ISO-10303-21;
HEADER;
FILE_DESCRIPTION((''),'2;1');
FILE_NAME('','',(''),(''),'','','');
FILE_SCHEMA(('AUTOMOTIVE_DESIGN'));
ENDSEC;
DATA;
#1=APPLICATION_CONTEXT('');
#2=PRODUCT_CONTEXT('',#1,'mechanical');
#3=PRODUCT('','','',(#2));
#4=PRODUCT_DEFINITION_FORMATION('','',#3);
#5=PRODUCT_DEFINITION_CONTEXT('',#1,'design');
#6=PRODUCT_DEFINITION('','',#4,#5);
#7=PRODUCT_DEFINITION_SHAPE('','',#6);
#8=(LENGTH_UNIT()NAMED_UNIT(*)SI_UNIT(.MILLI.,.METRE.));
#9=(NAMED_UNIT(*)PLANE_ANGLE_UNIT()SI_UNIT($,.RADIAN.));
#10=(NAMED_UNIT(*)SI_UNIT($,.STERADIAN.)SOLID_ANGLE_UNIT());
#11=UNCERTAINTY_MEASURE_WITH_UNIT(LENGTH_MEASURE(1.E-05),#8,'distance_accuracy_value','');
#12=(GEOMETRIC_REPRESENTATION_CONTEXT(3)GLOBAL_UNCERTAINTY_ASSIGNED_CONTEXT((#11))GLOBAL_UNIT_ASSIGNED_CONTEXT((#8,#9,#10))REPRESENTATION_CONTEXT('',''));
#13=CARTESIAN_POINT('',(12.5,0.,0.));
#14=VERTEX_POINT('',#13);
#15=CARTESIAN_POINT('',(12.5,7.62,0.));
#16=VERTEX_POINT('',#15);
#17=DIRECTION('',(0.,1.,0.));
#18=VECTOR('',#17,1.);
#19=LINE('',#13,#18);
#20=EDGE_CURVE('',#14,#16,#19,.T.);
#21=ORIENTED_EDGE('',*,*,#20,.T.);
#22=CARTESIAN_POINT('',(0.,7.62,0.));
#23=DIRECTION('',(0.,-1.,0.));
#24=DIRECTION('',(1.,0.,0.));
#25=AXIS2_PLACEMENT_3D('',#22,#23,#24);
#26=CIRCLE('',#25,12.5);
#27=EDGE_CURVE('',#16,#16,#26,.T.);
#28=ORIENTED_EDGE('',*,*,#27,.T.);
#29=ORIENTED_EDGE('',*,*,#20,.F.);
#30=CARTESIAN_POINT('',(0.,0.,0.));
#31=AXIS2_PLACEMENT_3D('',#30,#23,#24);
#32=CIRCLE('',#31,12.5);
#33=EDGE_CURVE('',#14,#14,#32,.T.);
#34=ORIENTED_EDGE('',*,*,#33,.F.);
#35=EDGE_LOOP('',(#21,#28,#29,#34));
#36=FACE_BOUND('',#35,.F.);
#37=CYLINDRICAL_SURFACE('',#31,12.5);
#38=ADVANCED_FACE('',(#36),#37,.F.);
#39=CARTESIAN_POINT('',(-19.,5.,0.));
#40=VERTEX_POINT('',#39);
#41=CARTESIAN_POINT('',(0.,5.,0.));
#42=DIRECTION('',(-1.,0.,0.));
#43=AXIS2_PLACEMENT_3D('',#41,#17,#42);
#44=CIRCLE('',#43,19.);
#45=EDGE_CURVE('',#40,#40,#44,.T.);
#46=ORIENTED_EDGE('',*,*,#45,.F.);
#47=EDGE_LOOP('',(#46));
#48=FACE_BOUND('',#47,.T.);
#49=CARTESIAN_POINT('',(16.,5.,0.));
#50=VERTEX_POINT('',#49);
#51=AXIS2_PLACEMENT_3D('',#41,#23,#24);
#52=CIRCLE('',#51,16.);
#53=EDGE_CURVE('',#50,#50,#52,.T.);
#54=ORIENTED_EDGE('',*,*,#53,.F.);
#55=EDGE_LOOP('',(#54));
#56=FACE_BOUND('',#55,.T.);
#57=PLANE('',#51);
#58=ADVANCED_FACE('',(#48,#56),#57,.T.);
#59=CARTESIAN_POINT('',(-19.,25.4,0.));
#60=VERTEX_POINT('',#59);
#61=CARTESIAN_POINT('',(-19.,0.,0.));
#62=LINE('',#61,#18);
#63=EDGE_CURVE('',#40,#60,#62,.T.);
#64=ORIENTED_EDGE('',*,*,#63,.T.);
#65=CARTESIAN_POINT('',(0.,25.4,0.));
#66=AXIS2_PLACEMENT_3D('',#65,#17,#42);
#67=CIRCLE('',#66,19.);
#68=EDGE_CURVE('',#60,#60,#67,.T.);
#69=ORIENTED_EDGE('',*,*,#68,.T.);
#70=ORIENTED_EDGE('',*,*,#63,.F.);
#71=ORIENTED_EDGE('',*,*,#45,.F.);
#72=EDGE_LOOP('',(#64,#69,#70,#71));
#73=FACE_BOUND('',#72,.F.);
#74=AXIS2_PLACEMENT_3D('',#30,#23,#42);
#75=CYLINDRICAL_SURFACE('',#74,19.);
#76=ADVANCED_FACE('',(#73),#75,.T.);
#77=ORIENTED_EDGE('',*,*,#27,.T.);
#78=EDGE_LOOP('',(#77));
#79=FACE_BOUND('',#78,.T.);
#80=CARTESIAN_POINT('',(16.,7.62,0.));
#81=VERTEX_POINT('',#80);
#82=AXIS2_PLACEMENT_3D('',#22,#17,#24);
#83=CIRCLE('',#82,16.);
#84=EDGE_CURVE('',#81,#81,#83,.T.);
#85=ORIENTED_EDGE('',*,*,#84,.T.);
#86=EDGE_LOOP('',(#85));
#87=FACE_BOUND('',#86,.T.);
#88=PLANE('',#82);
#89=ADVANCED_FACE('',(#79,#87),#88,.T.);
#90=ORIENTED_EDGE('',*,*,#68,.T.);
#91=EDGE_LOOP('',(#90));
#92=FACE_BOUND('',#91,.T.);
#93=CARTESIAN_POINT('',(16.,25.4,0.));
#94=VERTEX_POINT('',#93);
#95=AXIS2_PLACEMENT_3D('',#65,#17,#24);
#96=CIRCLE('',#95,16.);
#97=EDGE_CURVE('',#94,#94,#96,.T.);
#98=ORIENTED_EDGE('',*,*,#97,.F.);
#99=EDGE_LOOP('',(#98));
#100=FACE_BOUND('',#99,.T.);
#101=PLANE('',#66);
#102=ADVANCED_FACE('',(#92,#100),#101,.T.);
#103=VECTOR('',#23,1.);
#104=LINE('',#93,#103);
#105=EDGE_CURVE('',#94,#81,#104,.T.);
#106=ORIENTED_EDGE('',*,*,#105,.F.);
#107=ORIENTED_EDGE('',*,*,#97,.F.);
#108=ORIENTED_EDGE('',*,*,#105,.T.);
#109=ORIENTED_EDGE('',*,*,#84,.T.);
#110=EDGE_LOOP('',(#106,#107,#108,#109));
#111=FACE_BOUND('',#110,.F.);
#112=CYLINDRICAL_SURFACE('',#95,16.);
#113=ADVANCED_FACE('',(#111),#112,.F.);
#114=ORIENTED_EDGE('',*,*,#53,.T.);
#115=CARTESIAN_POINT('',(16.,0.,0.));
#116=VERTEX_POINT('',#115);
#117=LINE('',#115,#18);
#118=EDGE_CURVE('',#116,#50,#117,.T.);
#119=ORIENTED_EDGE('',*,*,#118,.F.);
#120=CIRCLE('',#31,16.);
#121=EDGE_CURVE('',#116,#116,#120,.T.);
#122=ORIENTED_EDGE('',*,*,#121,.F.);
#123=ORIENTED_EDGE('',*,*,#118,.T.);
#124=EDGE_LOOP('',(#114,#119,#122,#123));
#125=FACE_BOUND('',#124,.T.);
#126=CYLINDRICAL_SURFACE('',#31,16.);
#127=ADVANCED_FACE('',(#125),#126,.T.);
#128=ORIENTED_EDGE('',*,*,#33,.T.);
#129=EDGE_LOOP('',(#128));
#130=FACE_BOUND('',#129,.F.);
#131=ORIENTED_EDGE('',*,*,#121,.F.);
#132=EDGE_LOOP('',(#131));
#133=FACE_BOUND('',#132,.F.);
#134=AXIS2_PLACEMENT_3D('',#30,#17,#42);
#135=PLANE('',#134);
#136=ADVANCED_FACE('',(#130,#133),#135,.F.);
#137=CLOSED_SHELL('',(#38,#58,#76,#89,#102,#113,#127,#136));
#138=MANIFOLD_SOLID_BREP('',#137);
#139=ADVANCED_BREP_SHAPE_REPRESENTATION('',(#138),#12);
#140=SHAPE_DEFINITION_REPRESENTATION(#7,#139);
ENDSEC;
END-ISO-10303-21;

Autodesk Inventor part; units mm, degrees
ref_plane "YZ Plane" through (0, 0, 0) normal (1, 0, 0) x (0, 1, 0)
ref_plane "XZ Plane" through (0, 0, 0) normal (0, 1, 0) x (-1, 0, 0)
ref_plane "XY Plane" through (0, 0, 0) normal (0, 0, 1) x (1, 0, 0)
sketch "Sketch1" plane through (0, 0, 0) normal (0, 1, 0) x (-1, 0, 0)
  circle A0 centre (0, 0) radius 19
  dimension "d0" = 38
extrude "Extrusion1" add sketch "Sketch1" along normal blind 25.4
sketch "Sketch3" plane through (0, 0, 0) normal (0, -1, 0) x (1, 0, 0)
  circle A0 centre (0, 0) radius 19 projected
  circle A1 centre (0, 0) radius 16
  dimension "d9" = 32
extrude "Extrusion3" cut sketch "Sketch3" against normal blind 5
thread "Thread2" size "M32x1.5" class "6g" standard "ANSI Metric M Profile" length 25.4
sketch "Sketch4" plane through (0, 25.4, 0) normal (0, 1, 0) x (1, 0, 0)
  circle A0 centre (0, 0) radius 16
  dimension "d14" = 32
extrude "Extrusion4" cut sketch "Sketch4" against normal blind 17.78
thread "Thread3" size "M32x1.5" class "6H" standard "ANSI Metric M Profile" length 5
sketch "Sketch5" plane through (0, 0, 0) normal (0, -1, 0) x (1, 0, 0)
  circle A0 centre (0, 0) radius 12.5
  dimension "d19" = 25
extrude "Extrusion5" cut sketch "Sketch5" against normal blind 17.78
properties part number "NA1-1PiezoExtension"
